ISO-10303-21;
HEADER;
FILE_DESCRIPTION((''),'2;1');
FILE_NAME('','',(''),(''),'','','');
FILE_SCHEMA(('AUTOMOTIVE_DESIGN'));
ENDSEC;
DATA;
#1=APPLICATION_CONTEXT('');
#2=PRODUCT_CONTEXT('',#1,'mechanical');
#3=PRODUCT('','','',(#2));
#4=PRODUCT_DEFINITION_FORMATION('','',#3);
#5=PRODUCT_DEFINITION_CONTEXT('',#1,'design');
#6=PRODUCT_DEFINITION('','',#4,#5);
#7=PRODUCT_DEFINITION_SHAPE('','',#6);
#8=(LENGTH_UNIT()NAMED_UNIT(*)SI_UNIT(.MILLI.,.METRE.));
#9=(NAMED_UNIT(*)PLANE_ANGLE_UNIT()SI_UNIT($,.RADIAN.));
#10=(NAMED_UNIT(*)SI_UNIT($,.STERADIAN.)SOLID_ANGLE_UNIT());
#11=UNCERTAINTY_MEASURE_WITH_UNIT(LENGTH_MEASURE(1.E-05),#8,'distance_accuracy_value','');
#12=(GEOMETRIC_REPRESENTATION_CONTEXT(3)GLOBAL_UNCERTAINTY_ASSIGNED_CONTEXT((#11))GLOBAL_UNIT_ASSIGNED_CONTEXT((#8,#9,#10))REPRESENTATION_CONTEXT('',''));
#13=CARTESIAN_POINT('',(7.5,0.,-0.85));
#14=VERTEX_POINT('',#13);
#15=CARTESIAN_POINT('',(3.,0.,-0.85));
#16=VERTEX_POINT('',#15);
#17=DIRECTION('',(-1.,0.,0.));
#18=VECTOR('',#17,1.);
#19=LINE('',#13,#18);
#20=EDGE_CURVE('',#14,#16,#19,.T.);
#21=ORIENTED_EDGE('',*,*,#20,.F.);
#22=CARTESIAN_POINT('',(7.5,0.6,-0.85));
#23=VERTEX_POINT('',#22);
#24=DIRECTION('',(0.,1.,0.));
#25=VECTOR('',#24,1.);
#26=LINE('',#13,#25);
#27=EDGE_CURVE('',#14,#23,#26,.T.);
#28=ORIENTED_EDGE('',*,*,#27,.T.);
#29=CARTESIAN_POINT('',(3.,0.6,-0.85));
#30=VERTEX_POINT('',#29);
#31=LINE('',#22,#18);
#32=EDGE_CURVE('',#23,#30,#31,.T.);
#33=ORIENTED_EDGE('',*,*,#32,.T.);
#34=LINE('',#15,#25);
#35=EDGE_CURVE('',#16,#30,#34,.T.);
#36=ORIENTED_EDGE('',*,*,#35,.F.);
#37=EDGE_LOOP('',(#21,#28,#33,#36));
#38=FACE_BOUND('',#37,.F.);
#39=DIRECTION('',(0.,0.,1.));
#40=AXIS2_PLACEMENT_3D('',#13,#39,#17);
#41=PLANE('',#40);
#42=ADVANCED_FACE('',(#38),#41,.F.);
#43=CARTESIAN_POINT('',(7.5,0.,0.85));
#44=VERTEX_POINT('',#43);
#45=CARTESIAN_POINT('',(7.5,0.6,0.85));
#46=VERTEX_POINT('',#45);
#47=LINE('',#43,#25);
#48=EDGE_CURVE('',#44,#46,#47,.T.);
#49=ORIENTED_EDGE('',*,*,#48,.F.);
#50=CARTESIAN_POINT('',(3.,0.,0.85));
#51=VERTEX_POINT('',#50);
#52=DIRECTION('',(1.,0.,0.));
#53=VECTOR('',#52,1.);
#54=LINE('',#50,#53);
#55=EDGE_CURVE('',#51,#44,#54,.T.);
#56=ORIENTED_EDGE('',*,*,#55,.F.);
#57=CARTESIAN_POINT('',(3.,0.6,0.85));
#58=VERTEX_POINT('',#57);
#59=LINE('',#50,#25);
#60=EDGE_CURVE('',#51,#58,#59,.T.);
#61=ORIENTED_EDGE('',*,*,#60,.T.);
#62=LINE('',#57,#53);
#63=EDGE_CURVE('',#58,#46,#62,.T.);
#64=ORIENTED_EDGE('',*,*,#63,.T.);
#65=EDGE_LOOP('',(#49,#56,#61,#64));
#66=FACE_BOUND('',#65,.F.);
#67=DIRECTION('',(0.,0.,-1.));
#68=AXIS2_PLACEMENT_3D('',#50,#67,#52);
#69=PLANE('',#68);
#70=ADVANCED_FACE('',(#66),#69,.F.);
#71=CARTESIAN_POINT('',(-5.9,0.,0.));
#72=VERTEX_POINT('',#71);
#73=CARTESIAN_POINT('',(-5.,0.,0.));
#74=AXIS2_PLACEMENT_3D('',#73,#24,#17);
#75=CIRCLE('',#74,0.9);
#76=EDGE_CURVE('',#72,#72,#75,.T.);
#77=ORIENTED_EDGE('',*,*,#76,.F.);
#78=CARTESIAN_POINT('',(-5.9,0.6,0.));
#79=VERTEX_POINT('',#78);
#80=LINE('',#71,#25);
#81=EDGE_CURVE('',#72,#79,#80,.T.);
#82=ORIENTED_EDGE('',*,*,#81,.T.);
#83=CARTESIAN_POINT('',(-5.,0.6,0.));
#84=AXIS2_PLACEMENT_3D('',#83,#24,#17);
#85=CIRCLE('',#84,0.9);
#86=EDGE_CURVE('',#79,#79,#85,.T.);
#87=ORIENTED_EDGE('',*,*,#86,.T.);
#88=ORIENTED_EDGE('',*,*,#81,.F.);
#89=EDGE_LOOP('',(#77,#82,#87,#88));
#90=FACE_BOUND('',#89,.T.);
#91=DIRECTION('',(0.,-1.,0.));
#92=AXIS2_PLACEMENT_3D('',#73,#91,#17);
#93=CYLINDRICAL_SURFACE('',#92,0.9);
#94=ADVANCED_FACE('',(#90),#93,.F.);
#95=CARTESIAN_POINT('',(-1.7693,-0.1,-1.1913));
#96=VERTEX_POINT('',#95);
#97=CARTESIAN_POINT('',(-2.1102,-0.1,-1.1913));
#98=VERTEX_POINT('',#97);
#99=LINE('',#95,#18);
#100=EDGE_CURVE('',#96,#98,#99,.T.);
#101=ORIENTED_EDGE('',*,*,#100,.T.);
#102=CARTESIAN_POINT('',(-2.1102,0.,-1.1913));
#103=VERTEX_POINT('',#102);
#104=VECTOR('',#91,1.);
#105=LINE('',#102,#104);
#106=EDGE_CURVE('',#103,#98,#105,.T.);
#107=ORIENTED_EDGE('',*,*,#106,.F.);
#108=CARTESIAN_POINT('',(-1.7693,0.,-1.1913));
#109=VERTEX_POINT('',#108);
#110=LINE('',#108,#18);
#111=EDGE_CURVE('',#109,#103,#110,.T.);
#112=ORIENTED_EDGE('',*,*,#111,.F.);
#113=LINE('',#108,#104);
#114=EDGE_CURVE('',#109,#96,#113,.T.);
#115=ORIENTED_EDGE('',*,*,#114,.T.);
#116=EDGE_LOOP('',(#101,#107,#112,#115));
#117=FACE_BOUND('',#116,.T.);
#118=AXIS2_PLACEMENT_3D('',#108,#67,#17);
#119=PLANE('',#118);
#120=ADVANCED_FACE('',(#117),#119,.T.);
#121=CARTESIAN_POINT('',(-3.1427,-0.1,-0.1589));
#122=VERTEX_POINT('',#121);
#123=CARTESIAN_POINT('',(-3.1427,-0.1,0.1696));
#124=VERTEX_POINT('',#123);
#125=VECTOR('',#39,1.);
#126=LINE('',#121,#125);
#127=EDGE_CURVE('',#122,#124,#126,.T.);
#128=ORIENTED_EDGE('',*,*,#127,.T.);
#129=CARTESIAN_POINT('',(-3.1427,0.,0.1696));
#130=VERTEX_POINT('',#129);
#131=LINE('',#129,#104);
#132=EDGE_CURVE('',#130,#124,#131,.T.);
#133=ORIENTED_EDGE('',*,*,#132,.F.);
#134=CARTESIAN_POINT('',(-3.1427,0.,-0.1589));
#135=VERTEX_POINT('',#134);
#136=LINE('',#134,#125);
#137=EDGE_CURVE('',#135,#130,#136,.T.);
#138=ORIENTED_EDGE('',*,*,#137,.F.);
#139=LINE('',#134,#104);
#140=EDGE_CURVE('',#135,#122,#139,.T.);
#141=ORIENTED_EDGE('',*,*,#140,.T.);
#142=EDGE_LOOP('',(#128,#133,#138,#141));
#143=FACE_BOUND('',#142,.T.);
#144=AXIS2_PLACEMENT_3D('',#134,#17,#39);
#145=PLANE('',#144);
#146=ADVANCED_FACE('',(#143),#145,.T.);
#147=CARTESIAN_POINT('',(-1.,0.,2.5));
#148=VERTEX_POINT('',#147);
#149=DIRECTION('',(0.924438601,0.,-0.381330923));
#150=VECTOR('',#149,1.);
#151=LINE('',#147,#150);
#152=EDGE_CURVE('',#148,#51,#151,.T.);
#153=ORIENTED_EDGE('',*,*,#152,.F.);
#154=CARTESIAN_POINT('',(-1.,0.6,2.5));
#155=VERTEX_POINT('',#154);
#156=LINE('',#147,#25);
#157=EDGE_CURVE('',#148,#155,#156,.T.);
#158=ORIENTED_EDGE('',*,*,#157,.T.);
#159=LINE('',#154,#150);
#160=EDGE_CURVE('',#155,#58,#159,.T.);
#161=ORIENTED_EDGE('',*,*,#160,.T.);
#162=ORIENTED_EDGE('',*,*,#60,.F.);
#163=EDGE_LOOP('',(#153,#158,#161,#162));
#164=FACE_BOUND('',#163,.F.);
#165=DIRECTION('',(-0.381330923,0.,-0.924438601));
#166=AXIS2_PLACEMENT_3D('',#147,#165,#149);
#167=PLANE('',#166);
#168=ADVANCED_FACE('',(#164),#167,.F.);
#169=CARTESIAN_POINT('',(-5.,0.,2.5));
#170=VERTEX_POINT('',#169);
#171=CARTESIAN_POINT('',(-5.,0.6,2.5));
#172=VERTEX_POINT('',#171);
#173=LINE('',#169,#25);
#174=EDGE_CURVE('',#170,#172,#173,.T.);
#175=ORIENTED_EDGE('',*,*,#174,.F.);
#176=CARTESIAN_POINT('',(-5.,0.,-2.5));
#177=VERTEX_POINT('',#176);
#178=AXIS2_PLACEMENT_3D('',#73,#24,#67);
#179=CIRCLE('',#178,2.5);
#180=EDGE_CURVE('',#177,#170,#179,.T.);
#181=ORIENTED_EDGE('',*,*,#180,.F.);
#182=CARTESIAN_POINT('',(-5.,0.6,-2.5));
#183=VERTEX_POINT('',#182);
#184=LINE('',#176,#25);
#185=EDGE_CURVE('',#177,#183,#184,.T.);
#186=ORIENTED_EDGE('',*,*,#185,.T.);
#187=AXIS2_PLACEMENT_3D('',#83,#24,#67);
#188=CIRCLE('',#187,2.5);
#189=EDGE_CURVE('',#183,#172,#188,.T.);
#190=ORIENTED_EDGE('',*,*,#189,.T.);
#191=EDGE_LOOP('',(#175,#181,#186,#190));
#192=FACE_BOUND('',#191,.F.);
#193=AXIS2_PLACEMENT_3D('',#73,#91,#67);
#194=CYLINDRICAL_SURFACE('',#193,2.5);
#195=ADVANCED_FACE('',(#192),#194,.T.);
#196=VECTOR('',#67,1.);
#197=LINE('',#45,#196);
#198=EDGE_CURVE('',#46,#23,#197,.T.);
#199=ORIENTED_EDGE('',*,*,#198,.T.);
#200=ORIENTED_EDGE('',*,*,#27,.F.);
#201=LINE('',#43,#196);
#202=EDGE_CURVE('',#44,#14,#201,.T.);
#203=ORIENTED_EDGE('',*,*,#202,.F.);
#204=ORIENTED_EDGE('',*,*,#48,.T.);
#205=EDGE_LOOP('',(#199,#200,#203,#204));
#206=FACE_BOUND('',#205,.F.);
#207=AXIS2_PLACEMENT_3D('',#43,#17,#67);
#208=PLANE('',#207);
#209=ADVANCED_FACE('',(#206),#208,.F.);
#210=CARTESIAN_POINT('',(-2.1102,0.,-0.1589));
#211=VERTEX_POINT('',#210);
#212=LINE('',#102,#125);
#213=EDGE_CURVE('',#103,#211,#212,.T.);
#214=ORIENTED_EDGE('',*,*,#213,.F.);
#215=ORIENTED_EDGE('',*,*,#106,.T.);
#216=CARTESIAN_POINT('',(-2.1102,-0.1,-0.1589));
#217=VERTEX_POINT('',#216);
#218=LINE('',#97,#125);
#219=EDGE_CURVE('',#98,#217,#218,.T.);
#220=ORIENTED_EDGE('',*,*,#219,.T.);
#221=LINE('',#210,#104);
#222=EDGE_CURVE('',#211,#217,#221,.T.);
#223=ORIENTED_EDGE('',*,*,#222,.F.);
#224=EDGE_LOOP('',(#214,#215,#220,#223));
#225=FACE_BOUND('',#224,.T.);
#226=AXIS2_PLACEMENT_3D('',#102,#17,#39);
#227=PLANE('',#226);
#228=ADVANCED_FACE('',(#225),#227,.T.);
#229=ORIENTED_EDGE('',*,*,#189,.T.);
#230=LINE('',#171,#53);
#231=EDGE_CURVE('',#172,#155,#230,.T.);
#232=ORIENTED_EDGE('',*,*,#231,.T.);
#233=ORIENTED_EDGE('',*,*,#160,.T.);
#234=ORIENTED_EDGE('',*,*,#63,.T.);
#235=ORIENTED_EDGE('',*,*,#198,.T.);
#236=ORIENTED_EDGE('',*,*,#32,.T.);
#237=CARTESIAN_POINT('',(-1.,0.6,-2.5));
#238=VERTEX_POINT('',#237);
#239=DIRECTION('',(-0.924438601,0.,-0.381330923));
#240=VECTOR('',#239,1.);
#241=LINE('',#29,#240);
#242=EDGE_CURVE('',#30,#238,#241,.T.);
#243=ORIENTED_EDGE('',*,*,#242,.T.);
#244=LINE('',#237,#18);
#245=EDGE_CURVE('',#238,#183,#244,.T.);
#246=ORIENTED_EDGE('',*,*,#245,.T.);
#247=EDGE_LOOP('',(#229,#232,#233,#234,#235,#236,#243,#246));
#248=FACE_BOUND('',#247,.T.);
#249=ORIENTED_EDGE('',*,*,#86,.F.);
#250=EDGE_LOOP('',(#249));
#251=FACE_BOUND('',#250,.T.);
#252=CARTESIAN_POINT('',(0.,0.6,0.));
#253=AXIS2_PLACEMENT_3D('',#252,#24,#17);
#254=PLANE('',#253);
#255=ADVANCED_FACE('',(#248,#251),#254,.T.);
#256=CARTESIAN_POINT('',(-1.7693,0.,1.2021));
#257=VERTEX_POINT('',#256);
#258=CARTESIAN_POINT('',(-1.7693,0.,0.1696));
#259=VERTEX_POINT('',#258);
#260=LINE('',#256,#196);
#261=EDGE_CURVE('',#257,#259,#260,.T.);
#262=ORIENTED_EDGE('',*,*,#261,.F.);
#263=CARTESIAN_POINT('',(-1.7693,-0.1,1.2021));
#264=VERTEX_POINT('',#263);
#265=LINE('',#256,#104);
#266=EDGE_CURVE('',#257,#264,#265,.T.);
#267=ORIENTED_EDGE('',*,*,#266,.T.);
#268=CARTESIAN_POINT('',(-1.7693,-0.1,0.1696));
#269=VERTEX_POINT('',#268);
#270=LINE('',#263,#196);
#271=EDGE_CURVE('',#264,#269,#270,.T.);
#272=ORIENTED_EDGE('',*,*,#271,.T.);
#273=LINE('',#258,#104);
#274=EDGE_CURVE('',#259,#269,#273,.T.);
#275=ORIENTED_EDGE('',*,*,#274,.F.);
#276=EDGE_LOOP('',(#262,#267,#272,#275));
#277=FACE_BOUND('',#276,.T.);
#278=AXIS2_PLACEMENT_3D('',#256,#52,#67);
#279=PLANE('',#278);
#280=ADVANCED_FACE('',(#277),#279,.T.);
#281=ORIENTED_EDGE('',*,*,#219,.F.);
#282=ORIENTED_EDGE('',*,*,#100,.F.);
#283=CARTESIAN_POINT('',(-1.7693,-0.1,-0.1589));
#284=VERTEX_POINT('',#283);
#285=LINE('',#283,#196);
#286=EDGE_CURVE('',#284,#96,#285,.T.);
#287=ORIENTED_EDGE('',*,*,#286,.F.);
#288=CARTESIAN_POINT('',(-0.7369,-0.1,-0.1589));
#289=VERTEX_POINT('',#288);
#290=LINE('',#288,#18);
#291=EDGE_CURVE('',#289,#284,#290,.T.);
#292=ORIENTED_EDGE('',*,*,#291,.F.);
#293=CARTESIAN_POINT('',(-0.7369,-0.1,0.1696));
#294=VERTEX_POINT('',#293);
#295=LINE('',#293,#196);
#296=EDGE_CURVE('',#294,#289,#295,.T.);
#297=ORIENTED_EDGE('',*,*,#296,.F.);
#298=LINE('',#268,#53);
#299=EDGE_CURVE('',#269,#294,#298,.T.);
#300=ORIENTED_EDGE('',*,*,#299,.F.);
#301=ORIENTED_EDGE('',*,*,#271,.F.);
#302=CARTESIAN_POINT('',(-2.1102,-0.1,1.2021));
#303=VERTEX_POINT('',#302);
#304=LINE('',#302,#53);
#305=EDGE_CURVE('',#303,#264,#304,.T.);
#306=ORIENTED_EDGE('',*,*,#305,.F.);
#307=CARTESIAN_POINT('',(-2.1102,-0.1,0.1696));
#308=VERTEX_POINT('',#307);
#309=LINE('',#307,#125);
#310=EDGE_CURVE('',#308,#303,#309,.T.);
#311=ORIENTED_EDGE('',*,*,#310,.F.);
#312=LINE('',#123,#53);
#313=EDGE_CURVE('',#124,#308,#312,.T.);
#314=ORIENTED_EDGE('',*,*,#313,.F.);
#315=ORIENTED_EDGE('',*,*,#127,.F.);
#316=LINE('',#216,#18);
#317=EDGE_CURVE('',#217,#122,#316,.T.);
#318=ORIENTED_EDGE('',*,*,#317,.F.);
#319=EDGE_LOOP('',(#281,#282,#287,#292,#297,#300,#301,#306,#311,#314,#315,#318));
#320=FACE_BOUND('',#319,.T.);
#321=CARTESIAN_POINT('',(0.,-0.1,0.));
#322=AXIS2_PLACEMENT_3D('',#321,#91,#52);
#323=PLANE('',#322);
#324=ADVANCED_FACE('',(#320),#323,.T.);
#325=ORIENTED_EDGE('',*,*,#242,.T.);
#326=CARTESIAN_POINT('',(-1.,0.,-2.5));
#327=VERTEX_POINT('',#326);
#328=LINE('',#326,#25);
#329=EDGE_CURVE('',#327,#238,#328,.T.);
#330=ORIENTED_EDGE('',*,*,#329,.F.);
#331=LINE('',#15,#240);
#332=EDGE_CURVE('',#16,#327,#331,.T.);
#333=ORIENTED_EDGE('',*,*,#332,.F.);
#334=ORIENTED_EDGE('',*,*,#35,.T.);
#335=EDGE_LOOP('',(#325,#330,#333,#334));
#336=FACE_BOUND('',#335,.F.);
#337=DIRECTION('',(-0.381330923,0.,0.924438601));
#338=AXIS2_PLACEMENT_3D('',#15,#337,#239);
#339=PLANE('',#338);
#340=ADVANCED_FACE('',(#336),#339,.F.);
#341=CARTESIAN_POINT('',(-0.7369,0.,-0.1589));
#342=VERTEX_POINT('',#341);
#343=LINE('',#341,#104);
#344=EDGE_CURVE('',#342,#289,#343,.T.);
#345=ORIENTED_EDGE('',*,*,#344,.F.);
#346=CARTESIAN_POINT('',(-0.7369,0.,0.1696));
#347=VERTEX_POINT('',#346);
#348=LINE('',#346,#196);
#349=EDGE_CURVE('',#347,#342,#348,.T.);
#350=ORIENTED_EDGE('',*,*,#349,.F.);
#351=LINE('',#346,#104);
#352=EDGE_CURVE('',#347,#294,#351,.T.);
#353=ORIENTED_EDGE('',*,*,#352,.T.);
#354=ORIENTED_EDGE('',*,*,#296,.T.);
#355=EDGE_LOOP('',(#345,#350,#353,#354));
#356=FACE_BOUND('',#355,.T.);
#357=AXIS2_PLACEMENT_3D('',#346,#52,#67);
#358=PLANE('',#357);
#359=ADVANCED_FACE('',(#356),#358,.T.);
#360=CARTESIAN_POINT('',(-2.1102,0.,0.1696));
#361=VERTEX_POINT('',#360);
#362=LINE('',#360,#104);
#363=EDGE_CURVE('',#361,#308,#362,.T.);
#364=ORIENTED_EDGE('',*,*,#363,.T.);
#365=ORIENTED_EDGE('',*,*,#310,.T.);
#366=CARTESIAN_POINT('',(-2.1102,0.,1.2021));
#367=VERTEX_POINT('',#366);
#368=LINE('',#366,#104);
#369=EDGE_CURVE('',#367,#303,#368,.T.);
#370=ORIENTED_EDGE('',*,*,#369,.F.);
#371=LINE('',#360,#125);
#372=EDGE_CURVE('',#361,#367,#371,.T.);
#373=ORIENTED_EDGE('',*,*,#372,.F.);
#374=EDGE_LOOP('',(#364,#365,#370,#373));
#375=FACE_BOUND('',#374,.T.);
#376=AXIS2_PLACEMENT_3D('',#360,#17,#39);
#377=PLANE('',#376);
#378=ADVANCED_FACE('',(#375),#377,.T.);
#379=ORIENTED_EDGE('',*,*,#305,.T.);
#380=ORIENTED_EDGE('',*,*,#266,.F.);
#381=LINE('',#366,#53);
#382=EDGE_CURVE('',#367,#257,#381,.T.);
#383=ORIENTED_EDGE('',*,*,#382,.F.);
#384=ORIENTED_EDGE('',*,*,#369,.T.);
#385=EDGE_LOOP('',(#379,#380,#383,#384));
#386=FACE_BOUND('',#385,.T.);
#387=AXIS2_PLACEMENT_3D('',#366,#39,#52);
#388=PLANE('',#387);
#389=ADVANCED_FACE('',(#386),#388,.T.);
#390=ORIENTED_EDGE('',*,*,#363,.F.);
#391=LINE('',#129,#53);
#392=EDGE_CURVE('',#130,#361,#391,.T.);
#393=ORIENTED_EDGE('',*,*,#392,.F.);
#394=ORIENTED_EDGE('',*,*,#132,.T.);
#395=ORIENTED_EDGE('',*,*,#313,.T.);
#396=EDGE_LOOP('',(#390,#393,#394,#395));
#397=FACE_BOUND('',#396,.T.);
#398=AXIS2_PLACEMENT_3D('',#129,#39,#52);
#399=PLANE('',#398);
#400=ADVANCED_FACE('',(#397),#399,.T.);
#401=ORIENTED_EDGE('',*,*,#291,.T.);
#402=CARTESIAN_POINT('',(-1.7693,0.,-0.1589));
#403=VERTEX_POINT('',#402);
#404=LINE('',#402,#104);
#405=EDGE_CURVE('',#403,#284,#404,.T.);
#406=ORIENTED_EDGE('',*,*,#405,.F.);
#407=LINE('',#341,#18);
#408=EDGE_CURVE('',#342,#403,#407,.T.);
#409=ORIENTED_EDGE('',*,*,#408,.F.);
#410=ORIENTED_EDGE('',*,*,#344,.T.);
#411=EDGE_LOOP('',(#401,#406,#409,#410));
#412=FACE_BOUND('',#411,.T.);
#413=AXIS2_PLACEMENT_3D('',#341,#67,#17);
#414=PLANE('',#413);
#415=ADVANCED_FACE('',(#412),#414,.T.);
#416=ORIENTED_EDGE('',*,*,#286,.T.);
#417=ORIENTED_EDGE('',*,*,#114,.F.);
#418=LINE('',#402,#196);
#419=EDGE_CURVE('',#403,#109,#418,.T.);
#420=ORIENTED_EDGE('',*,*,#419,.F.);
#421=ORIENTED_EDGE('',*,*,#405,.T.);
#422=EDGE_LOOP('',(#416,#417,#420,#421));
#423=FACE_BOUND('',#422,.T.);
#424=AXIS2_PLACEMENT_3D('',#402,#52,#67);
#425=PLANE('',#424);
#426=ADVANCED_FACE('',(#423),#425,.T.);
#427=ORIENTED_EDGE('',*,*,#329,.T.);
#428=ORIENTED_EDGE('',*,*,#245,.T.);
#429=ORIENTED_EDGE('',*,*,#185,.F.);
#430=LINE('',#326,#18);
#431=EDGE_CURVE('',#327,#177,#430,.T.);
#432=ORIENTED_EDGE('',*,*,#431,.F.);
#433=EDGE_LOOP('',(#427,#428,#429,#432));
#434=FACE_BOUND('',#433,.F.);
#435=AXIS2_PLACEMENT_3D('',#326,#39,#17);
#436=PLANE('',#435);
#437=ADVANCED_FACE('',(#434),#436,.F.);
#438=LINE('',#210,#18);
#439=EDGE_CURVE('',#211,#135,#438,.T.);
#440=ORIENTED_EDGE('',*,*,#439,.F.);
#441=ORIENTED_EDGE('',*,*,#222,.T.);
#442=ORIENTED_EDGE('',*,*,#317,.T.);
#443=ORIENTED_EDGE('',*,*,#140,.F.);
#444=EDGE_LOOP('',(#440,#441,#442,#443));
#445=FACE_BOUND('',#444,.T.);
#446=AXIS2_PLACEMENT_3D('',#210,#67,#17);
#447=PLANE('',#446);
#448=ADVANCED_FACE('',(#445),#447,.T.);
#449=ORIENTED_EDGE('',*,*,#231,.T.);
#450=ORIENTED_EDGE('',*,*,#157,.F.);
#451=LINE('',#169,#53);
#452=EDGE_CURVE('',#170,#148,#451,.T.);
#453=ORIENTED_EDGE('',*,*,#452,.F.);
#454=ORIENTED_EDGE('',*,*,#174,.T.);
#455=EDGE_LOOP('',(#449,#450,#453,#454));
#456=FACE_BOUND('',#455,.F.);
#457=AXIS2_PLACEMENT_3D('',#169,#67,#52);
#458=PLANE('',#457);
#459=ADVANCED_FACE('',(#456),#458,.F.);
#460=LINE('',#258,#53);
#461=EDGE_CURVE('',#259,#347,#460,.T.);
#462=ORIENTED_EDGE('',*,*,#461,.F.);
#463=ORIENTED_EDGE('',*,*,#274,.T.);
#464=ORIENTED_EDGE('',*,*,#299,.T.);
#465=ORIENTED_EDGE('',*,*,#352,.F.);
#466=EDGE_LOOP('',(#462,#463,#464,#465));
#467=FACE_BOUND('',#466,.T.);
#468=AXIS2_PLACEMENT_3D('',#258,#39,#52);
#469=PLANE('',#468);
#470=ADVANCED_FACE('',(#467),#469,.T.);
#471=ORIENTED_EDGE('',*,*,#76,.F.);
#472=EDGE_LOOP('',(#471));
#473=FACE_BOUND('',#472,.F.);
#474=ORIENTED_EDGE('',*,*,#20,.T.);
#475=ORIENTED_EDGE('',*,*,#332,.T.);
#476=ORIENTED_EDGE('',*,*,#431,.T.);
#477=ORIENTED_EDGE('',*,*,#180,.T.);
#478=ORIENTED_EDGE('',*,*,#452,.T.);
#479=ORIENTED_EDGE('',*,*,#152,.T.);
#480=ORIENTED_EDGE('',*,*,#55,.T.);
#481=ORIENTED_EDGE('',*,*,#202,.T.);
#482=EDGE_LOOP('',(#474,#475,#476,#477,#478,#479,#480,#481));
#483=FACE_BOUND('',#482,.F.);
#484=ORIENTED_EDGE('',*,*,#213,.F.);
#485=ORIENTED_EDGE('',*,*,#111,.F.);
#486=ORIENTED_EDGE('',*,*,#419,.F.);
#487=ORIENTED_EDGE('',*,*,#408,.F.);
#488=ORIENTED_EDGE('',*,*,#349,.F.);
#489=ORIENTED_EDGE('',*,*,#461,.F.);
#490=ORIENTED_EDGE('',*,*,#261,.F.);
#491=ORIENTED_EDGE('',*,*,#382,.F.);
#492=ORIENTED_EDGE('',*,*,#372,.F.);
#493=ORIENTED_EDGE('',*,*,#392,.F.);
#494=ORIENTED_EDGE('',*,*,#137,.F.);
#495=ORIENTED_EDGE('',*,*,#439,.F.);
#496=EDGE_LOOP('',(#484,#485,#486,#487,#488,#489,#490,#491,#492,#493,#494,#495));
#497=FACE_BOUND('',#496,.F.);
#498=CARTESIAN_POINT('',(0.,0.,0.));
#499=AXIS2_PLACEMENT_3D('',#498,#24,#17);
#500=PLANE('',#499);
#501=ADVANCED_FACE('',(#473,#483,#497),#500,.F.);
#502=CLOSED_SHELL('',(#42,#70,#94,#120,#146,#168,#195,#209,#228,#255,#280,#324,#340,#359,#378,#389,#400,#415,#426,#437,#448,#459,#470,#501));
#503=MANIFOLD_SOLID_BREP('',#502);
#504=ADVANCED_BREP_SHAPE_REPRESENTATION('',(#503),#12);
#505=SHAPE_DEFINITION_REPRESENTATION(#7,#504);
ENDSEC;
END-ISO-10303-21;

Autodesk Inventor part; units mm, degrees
ref_plane "YZ Plane" through (0, 0, 0) normal (1, 0, 0) x (0, 1, 0)
ref_plane "XZ Plane" through (0, 0, 0) normal (0, 1, 0) x (-1, 0, 0)
ref_plane "XY Plane" through (0, 0, 0) normal (0, 0, 1) x (1, 0, 0)
sketch "Sketch2" plane through (0, 0, 0) normal (0, 1, 0) x (-1, 0, 0)
  line L0 (-7.5, 0.85) -> (-7.5, -0.85)
  line L1 (1, -2.5) -> (5, -2.5)
  line L2 (7.5, 2.5) -> (-7.5, -2.5) construction
  line L3 (-7.5, 2.5) -> (7.5, -2.5) construction
  arc A0 (5, -2.5) -> (5, 2.5) centre (5, 0) ccw
  circle A1 centre (5, 0) radius 0.9
  line L4 (-3, 0.85) -> (-7.5, 0.85)
  line L5 (-7.5, 0.85) -> (-7.5, -0.85)
  line L6 (-7.5, -0.85) -> (-3, -0.85)
  line L7 (1, 2.5) -> (-3, 0.85)
  line L8 (-3, -0.85) -> (1, -2.5)
  line L9 (5, 2.5) -> (1, 2.5)
  point P0 (0, 0)
  dimension "d3" = 1.8
extrude "Extrusion1" add sketch "Sketch2" along normal blind 0.6
sketch "Sketch3" plane through (0, 0, 0) normal (0, -1, 0) x (1, 0, 0)
  line L0 (-3.4662, 1.2021) -> (-0.4158, 1.2021) construction
  line L1 (-0.4158, 1.2021) -> (-0.4158, -1.1913) construction
  line L2 (-0.4158, -1.1913) -> (-3.4662, -1.1913) construction
  line L3 (-3.4662, -1.1913) -> (-3.4662, 1.2021) construction
  line L4 (-0.7369, -0.1589) -> (-1.7693, -0.1589)
  line L5 (-1.7693, -0.1589) -> (-1.7693, -1.1913)
  line L6 (-1.7693, -1.1913) -> (-2.1102, -1.1913)
  line L7 (-2.1102, -1.1913) -> (-2.1102, -0.1589)
  line L8 (-2.1102, -0.1589) -> (-3.1427, -0.1589)
  line L9 (-3.1427, -0.1589) -> (-3.1427, 0.1696)
  line L10 (-3.1427, 0.1696) -> (-2.1102, 0.1696)
  line L11 (-2.1102, 0.1696) -> (-2.1102, 1.2021)
  line L12 (-2.1102, 1.2021) -> (-1.7693, 1.2021)
  line L13 (-1.7693, 1.2021) -> (-1.7693, 0.1696)
  line L14 (-1.7693, 0.1696) -> (-0.7369, 0.1696)
  line L15 (-0.7369, 0.1696) -> (-0.7369, -0.1589)
  point P0 (0, 0)
extrude "Extrusion2" add sketch "Sketch3" along normal blind 0.1
properties part number "Pin" material "Copper, Alloy"
